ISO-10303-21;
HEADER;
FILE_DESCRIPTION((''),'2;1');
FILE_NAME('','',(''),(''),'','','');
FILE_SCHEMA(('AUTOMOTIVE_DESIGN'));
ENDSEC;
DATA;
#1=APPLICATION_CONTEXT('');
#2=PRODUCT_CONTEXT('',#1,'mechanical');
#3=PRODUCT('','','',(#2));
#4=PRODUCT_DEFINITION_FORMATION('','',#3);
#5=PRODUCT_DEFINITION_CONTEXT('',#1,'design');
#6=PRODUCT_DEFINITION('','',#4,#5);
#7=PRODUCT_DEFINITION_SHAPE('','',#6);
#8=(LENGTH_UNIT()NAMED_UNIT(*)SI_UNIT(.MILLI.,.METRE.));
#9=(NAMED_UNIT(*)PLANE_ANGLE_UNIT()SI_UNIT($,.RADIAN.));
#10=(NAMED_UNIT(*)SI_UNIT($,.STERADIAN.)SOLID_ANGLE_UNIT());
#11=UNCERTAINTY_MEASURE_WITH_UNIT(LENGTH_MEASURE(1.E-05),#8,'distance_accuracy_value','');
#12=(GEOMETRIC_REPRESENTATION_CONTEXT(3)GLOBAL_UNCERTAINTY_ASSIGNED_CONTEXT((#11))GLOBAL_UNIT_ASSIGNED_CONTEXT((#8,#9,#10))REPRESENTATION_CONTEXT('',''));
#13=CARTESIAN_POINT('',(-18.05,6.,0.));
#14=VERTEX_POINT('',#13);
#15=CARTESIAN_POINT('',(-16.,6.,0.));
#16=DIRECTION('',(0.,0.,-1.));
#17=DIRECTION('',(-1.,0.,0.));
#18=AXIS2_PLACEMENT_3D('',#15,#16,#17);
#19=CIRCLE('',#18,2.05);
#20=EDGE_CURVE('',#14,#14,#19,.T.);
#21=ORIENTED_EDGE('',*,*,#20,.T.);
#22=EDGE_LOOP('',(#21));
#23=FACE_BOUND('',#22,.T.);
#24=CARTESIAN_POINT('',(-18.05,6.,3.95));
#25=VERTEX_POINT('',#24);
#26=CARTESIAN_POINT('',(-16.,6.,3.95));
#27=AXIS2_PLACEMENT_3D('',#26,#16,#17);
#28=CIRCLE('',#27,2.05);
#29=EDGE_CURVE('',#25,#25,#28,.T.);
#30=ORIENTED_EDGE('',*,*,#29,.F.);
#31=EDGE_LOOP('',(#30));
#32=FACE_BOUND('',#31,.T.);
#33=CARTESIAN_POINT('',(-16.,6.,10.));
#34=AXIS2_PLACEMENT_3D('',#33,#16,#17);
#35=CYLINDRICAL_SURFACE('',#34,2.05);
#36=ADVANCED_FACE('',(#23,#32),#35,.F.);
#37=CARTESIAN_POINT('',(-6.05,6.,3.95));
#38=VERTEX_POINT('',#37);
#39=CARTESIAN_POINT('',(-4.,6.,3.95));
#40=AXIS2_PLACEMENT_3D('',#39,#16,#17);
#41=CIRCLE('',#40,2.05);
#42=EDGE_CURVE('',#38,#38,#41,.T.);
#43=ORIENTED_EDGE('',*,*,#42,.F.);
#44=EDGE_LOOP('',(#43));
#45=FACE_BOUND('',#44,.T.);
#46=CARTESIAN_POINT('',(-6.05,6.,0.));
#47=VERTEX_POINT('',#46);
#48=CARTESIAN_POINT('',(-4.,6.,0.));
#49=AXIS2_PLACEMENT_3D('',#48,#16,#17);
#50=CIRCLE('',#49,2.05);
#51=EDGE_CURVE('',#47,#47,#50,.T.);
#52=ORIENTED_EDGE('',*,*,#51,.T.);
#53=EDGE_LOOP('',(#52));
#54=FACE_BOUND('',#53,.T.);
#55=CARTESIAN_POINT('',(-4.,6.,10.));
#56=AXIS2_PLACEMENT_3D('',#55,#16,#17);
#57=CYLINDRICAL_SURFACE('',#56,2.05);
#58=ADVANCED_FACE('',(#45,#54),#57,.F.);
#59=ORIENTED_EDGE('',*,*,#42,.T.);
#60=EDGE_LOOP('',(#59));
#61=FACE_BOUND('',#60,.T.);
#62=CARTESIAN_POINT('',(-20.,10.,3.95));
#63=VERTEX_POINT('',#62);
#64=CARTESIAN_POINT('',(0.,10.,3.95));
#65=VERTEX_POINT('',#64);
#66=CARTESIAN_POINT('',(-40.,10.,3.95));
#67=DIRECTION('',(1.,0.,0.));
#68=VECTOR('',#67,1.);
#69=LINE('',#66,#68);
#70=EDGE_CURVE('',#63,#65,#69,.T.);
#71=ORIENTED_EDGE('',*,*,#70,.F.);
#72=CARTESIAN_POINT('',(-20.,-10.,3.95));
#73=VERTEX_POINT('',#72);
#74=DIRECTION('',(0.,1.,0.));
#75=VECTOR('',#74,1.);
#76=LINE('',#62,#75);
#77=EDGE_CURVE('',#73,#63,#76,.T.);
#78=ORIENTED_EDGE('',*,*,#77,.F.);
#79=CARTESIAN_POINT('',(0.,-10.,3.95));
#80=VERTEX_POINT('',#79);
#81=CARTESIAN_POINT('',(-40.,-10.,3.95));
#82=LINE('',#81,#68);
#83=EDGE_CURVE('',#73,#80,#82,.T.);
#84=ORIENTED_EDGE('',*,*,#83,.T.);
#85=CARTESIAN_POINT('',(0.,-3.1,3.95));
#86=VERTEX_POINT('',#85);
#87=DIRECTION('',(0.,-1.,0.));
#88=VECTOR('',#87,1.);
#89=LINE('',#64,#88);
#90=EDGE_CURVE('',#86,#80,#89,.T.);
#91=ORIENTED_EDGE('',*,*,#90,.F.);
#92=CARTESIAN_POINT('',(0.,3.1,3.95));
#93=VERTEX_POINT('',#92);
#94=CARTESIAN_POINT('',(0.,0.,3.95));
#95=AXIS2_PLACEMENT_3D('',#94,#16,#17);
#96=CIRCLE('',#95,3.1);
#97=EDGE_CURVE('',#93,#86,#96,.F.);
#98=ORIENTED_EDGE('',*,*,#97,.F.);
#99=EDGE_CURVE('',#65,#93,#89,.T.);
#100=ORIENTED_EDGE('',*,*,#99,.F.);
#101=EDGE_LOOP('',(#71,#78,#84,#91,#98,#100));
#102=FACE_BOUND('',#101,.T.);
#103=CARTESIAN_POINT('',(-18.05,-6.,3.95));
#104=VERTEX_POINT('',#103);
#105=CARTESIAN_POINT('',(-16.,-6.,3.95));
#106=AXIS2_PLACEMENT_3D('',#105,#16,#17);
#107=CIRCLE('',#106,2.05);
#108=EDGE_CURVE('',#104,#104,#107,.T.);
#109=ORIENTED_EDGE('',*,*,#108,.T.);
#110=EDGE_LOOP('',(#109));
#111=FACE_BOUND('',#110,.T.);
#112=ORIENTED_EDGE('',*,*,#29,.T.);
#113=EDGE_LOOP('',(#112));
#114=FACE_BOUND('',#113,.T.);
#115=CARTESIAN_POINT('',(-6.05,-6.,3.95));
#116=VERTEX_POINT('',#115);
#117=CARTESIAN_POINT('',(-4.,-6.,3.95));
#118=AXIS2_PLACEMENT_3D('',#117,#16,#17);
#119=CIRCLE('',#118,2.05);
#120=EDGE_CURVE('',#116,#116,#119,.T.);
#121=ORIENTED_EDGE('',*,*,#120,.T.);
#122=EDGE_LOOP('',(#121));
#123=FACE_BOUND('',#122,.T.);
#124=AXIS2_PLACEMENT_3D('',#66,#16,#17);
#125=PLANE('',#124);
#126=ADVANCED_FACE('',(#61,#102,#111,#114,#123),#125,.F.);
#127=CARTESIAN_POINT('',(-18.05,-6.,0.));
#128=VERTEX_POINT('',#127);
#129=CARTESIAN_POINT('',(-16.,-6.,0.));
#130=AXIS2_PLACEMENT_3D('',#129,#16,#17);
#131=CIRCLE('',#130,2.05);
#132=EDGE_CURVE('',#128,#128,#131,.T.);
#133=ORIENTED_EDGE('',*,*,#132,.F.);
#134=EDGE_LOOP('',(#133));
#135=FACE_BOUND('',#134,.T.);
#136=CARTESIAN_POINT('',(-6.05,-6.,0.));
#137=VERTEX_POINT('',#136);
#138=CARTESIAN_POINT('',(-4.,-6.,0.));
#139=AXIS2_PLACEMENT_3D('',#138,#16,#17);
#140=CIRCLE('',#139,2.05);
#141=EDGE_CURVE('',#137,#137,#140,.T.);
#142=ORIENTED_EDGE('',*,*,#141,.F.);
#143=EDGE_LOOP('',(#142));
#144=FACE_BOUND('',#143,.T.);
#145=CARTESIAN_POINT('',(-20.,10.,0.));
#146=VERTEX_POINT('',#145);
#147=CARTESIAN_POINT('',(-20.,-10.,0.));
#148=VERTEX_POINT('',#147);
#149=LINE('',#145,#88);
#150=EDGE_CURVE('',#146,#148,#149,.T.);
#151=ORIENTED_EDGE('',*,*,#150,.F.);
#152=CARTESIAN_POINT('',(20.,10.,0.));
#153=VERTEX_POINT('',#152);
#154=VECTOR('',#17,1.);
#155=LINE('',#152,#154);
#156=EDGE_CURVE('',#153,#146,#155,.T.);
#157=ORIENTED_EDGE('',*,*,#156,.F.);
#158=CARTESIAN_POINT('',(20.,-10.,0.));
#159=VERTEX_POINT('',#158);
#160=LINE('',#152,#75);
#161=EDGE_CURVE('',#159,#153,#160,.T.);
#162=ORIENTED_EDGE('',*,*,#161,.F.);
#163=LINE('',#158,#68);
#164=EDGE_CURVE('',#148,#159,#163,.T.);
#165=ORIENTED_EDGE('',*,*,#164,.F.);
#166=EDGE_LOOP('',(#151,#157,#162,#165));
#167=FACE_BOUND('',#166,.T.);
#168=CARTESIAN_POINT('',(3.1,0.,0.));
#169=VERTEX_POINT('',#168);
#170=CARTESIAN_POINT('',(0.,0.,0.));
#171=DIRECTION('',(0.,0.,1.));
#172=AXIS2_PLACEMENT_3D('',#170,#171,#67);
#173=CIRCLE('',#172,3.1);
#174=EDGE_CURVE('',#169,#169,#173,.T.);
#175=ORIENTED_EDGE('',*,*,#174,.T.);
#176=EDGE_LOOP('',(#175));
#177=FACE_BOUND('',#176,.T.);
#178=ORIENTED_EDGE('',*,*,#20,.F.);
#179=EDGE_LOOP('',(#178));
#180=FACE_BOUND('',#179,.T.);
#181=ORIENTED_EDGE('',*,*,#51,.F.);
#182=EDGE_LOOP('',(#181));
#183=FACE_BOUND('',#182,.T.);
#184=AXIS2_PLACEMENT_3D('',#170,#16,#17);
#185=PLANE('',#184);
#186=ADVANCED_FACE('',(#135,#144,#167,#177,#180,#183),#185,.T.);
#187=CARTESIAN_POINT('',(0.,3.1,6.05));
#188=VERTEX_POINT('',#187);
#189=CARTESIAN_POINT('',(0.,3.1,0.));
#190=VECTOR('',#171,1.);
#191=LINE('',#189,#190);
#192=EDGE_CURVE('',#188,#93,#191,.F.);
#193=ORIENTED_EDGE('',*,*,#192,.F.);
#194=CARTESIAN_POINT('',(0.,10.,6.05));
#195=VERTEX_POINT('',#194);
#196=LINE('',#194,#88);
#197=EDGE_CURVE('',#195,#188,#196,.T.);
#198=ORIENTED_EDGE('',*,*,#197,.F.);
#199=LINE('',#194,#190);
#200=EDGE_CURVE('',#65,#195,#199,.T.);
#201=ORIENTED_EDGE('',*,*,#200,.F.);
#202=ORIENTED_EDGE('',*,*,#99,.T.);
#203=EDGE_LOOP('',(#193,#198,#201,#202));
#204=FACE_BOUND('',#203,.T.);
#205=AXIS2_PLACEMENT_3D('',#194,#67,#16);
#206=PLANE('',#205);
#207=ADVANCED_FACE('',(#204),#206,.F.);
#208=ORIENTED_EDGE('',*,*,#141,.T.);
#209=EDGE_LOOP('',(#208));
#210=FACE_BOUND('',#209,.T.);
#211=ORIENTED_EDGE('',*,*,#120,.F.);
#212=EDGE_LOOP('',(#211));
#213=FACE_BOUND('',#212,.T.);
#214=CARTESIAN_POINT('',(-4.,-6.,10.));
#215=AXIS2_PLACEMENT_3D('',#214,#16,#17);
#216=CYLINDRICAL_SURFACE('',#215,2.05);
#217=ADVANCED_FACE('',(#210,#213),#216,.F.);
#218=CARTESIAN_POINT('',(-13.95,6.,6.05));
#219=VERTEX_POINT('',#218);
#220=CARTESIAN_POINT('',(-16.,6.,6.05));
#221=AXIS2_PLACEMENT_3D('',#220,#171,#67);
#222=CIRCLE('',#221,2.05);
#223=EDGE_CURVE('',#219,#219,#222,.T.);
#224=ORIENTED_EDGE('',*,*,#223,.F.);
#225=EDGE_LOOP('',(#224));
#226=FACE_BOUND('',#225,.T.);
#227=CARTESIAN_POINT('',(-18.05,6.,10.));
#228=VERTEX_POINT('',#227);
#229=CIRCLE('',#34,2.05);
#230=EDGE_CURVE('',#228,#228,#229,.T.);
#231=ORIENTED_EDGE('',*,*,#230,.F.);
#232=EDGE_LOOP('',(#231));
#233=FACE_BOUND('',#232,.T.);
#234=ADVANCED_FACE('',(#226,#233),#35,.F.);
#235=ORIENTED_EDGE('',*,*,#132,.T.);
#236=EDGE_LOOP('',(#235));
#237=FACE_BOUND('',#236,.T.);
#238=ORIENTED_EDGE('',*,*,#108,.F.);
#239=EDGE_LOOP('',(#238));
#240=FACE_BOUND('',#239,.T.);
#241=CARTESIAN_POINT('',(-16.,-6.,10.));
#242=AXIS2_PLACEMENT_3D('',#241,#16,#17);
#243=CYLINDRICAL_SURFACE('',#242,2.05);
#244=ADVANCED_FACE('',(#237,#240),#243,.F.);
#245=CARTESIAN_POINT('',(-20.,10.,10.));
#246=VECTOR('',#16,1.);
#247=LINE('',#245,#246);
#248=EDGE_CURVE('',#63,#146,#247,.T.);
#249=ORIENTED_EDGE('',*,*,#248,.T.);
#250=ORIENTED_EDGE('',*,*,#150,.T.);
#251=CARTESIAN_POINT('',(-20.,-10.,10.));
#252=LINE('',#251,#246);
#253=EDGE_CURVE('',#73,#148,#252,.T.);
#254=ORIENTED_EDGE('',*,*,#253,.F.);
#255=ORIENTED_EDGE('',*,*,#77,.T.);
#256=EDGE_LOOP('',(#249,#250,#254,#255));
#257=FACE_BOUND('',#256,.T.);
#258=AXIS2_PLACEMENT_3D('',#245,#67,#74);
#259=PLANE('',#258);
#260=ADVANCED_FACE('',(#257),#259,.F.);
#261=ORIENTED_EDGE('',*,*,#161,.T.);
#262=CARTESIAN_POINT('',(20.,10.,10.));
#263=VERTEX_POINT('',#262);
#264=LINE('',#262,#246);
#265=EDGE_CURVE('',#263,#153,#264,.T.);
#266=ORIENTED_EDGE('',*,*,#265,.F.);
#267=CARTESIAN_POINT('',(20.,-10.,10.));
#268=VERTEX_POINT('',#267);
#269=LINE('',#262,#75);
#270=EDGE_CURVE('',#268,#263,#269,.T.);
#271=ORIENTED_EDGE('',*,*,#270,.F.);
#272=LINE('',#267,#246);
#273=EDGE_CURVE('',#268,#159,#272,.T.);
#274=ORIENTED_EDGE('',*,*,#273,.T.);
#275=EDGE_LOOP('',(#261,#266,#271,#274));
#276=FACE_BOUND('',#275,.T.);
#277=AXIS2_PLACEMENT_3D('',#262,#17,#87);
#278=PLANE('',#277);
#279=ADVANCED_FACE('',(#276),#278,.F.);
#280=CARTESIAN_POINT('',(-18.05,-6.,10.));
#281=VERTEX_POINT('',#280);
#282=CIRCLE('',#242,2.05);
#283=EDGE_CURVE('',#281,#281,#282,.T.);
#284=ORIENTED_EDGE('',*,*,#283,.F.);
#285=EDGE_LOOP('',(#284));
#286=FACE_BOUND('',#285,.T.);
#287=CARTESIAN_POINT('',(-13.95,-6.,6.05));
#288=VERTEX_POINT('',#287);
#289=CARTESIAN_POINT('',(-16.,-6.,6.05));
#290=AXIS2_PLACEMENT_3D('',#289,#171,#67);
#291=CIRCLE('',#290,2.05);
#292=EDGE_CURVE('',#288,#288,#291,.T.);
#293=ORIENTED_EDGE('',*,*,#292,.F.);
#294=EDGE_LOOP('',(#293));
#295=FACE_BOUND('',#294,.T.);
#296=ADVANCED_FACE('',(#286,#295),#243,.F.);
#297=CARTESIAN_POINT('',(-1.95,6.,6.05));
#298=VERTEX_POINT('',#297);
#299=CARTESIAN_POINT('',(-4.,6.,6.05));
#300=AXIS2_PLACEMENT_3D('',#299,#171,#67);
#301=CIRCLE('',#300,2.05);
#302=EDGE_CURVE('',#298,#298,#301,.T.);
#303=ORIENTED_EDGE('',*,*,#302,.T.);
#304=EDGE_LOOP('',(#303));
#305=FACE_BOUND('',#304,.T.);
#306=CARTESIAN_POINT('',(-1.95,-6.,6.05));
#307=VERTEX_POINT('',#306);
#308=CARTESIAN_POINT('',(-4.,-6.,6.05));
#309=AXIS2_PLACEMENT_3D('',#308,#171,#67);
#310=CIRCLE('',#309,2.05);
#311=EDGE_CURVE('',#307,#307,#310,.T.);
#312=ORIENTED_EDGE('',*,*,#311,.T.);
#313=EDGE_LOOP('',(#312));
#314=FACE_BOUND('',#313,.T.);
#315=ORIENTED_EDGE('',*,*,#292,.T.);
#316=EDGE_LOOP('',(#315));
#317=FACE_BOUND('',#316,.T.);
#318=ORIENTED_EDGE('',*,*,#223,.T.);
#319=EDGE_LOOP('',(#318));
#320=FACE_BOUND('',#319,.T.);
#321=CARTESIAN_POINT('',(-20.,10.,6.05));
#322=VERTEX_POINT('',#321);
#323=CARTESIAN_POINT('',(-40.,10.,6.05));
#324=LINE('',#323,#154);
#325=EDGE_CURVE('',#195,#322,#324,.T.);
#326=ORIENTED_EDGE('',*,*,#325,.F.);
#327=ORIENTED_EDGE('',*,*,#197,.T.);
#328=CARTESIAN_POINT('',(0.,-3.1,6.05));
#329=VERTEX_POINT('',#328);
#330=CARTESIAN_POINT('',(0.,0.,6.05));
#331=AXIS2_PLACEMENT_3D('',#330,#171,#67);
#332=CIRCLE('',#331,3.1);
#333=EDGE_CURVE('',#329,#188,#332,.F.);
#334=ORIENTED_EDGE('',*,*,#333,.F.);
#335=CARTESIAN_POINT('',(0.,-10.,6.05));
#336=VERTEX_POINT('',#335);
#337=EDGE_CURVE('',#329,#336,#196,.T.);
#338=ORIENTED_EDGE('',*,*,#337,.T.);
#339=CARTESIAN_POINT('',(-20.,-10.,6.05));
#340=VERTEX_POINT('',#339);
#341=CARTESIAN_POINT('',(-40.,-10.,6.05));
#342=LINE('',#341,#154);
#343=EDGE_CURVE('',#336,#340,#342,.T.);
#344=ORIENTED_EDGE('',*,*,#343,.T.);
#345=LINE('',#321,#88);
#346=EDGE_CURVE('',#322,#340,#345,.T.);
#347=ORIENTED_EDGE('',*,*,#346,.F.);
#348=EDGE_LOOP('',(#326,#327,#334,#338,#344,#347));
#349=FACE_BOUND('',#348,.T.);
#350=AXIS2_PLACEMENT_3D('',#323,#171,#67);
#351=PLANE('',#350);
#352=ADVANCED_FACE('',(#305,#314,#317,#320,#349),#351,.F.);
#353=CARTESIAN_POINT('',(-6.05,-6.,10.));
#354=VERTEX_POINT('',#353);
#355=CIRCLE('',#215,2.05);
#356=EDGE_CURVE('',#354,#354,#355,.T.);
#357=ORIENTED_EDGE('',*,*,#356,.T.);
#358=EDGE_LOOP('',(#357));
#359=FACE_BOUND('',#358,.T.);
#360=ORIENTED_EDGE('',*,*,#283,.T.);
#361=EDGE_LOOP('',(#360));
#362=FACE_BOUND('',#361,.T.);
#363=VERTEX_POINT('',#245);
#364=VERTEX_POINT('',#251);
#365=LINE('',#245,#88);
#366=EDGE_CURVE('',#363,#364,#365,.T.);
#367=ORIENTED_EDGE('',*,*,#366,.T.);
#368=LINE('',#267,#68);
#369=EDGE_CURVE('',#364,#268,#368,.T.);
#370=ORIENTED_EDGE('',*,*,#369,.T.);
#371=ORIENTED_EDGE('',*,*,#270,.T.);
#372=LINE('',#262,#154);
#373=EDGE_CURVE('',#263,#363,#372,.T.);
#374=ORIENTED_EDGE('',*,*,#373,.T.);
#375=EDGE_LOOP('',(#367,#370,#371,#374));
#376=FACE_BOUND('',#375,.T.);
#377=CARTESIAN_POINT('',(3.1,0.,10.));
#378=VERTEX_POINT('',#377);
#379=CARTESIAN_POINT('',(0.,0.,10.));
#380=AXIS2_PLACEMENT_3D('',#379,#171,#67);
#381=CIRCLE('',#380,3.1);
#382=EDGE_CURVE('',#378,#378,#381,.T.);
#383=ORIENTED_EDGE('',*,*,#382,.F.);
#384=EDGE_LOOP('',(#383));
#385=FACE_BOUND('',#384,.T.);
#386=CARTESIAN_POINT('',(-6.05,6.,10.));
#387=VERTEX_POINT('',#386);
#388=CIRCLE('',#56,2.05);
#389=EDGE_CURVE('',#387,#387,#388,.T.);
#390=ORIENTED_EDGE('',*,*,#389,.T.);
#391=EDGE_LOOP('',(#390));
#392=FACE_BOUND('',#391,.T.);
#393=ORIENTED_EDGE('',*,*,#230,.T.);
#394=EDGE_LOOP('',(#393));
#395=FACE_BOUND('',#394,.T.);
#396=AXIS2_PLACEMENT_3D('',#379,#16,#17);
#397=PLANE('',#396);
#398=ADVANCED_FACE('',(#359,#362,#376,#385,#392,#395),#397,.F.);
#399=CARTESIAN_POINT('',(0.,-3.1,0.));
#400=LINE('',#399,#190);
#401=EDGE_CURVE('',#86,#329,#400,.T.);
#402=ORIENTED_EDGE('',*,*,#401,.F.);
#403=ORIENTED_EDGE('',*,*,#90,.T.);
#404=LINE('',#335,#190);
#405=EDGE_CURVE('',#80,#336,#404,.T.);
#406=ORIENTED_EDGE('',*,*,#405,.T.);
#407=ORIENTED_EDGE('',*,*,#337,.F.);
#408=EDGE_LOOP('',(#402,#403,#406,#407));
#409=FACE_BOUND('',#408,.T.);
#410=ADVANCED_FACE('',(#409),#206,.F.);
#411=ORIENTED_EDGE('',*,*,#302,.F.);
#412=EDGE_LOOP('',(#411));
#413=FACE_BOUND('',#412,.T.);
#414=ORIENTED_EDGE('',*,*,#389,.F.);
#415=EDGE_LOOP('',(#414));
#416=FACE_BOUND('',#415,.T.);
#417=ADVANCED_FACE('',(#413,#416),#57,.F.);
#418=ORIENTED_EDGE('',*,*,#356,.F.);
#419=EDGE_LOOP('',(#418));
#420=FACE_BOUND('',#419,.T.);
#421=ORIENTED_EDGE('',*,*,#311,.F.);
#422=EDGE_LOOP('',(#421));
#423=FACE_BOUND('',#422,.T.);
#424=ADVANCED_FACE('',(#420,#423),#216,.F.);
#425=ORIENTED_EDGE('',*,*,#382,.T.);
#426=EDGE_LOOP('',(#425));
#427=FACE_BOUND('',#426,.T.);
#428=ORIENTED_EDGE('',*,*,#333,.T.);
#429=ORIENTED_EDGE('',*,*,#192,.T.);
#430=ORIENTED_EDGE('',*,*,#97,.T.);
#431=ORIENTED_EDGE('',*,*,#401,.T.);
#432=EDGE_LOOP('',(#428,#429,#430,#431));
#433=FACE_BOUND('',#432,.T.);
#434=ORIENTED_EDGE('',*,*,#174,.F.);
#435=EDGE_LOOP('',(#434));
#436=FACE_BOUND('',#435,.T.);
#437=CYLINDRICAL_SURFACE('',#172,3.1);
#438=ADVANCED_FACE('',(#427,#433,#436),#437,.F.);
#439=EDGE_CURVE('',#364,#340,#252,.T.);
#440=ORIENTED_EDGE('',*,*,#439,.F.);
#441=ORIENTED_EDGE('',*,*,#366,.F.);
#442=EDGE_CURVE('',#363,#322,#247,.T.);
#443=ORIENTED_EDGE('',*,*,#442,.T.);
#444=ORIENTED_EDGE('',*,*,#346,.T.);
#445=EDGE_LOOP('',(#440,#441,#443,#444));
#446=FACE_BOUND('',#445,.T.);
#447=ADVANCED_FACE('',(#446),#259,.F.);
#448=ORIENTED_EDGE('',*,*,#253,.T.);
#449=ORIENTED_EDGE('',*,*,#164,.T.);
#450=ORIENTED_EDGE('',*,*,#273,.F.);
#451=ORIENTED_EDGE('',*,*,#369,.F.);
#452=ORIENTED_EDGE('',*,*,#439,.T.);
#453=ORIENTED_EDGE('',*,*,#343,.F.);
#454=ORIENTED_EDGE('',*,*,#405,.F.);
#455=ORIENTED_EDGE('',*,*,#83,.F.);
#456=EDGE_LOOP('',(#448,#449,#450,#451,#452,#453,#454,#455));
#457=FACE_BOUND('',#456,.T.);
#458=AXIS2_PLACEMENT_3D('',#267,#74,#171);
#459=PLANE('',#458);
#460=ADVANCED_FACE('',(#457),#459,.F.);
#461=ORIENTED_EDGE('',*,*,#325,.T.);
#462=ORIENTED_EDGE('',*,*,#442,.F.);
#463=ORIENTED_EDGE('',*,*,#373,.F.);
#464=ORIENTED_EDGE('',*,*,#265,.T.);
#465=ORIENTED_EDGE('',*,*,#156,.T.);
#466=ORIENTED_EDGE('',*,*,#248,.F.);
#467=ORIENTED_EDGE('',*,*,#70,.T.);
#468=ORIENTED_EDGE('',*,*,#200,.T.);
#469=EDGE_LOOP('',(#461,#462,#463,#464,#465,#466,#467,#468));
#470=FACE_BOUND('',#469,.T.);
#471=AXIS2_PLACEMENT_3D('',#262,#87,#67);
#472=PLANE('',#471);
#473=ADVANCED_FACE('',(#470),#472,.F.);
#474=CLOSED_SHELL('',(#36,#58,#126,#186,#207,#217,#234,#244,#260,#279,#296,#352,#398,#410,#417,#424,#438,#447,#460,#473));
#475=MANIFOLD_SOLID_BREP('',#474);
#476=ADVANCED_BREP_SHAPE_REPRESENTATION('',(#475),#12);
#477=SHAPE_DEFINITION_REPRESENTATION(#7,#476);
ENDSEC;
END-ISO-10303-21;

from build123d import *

# Parameters (mm, degrees)
ESQUISSE1_W             = 40
ESQUISSE1_H             = 20
BOSS_EXTRU_1_DEPTH      = 10
ESQUISSE2_R             = 3.1
ENL_V_MAT_EXTRU_1_DEPTH = 10
ESQUISSE3_W             = 40
ESQUISSE3_H             = 2.1
ENL_V_MAT_EXTRU_2_DEPTH = 31
ESQUISSE4_R             = 2.05
ENL_V_MAT_EXTRU_3_DEPTH = 25.494897428


with BuildPart() as part:
    # Esquisse1 → Boss.-Extru.1 (new body)
    with BuildSketch(Plane.XY):
        Rectangle(ESQUISSE1_W, ESQUISSE1_H)
    extrude(amount=BOSS_EXTRU_1_DEPTH)

    # Esquisse2 → Enlèv. mat.-Extru.1 (cut)
    with BuildSketch(Plane.XY.offset(10)):
        Circle(ESQUISSE2_R)
    extrude(amount=-ENL_V_MAT_EXTRU_1_DEPTH, mode=Mode.SUBTRACT)

    # Esquisse3 → Enlèv. mat.-Extru.2 (cut, through all)
    with BuildSketch(Plane(origin=(0, -10, 0), x_dir=(-1, 0, 0), z_dir=(0, -1, 0))):
        with Locations((20, -5)):
            Rectangle(ESQUISSE3_W, ESQUISSE3_H)
    extrude(amount=-ENL_V_MAT_EXTRU_2_DEPTH, mode=Mode.SUBTRACT)

    # Esquisse4 → Enlèv. mat.-Extru.3 (cut, through all)
    with BuildSketch(Plane(origin=(0, 0, 0), x_dir=(-1, 0, 0), z_dir=(0, 0, -1))):
        with Locations((16, 6)):
            Circle(ESQUISSE4_R)
        with Locations((4, 6)):
            Circle(ESQUISSE4_R)
        with Locations((4, -6)):
            Circle(ESQUISSE4_R)
        with Locations((16, -6)):
            Circle(ESQUISSE4_R)
    extrude(amount=-ENL_V_MAT_EXTRU_3_DEPTH, mode=Mode.SUBTRACT)


solid = part.part
